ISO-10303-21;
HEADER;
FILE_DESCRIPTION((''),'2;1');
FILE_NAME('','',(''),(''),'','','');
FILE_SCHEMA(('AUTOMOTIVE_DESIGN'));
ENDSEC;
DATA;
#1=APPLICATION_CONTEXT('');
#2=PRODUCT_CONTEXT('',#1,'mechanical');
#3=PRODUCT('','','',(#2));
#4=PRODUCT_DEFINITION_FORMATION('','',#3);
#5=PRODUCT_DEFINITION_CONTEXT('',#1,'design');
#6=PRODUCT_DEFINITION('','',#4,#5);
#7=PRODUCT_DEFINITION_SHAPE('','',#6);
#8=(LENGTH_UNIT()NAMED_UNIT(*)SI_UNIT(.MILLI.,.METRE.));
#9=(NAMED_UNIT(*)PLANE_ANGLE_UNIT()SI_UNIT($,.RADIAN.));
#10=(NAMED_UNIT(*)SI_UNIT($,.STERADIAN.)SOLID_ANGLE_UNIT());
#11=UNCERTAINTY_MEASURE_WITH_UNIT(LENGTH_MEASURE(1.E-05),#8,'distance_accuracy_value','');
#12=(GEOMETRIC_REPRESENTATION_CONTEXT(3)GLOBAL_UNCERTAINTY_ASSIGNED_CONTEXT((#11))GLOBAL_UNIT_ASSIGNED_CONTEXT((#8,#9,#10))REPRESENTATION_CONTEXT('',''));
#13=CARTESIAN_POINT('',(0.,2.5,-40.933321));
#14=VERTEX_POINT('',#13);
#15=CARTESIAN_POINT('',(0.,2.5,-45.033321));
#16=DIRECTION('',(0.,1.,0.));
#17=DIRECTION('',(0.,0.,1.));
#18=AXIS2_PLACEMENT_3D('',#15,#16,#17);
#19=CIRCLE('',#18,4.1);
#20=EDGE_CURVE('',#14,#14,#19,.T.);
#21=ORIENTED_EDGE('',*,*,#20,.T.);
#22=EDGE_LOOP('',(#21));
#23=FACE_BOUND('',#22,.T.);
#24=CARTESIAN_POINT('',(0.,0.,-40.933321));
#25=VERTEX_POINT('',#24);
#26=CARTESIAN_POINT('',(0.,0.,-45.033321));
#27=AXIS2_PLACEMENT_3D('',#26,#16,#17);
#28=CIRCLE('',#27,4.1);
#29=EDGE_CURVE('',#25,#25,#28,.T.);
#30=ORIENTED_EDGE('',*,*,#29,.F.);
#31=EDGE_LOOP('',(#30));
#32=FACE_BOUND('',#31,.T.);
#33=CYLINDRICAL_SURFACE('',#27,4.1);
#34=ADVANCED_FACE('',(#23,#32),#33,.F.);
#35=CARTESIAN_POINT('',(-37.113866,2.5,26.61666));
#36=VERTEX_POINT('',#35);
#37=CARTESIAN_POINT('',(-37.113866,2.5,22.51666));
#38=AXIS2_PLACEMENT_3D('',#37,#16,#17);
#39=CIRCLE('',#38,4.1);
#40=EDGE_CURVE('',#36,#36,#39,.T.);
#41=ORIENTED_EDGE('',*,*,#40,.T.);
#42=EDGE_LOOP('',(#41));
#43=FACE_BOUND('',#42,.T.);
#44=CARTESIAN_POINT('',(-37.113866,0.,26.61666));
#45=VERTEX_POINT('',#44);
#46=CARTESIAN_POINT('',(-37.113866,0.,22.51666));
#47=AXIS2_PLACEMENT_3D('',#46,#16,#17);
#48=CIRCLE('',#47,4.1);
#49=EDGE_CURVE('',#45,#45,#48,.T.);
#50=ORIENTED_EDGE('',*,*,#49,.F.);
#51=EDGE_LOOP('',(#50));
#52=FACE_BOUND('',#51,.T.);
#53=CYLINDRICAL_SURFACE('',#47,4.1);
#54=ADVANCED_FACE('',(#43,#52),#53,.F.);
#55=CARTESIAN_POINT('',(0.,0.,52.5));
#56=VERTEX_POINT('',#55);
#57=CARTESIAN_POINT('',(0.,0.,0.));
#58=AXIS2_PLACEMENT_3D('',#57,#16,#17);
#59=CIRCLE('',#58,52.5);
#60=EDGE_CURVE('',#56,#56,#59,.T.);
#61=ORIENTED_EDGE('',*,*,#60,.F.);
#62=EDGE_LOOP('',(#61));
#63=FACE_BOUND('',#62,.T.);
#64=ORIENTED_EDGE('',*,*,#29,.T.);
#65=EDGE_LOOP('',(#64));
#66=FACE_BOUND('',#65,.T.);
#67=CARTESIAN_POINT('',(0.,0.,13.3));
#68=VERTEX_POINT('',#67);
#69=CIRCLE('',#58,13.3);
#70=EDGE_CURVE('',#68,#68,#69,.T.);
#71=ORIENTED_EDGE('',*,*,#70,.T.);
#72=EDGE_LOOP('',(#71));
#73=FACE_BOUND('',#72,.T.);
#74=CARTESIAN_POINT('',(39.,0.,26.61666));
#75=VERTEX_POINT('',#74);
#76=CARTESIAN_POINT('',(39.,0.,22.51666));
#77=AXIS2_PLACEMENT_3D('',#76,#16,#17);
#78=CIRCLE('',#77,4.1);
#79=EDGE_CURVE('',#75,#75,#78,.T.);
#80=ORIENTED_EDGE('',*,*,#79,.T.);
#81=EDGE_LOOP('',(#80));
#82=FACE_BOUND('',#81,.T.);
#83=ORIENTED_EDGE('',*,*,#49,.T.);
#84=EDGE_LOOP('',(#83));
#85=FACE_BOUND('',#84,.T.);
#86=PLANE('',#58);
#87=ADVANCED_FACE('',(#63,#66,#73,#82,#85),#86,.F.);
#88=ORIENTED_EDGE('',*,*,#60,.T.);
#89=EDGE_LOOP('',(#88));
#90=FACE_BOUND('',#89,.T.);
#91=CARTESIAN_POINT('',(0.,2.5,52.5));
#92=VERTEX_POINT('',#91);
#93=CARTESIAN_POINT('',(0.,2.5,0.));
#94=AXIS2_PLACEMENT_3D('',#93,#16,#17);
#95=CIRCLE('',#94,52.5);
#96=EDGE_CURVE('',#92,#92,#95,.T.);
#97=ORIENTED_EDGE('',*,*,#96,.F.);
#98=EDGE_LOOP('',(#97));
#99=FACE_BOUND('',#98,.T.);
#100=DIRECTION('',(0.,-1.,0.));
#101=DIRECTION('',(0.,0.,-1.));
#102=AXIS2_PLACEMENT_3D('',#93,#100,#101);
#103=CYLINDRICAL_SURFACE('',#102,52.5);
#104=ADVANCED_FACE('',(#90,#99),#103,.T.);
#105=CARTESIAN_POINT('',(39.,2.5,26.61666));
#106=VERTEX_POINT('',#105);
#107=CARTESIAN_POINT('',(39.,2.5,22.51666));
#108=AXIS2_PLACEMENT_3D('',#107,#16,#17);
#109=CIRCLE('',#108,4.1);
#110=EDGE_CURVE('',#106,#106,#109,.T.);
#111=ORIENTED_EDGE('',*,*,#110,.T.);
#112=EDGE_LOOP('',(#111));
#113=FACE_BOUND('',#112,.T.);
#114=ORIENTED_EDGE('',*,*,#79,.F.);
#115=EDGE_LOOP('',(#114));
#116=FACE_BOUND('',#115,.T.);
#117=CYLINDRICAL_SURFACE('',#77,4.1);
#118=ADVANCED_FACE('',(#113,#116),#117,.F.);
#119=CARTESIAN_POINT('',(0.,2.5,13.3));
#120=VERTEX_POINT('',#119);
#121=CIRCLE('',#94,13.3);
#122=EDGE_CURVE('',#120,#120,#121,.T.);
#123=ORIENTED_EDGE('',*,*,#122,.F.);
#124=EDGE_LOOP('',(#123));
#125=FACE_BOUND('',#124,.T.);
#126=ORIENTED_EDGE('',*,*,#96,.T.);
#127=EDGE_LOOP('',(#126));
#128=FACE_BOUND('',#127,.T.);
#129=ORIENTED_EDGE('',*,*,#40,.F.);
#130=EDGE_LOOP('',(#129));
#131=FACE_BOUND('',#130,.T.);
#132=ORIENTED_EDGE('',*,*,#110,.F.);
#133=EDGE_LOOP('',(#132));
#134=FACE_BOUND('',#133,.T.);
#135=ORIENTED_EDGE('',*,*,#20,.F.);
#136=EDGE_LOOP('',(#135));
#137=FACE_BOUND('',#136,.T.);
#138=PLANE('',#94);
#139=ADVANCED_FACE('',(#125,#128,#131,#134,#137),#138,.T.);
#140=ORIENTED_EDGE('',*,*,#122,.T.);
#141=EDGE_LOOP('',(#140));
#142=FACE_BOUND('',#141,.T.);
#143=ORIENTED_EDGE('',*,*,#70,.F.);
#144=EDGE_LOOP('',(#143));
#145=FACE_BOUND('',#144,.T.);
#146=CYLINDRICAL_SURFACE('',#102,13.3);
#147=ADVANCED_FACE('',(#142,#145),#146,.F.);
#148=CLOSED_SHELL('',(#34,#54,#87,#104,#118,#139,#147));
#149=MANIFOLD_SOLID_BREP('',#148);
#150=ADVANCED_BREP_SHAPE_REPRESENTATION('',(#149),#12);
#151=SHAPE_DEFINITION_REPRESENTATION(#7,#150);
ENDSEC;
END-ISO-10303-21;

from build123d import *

# Parameters (mm, degrees)
SKETCH2_R           = 52.5
SKETCH2_R_2         = 13.3
BOSS_EXTRUDE1_DEPTH = 2.5
SKETCH3_R           = 4.1
CUT_EXTRUDE1_DEPTH  = 75.288289791


with BuildPart() as part:
    # Sketch2 → Boss-Extrude1 (new body)
    with BuildSketch(Plane(origin=(0, 0, 0), x_dir=(1, 0, 0), z_dir=(0, 1, 0))):
        with Locations(Location((0, 0, 0), (0, 0, 270))):
            Circle(SKETCH2_R)
        with Locations(Location((0, 0, 0), (0, 0, 270))):
            Circle(SKETCH2_R_2, mode=Mode.SUBTRACT)
    extrude(amount=BOSS_EXTRUDE1_DEPTH)

    # Sketch3 → Cut-Extrude1 (cut, through all)
    with BuildSketch(Plane(origin=(0, 2.5, 0), x_dir=(1, 0, 0), z_dir=(0, 1, 0))):
        with Locations(Location((0, 45.033320997, 0), (0, 0, 270))):
            Circle(SKETCH3_R)
        with Locations(Location((39, -22.516660498, 0), (0, 0, 270))):
            Circle(SKETCH3_R)
        with Locations(Location((-37.113866169, -22.516660498, 0), (0, 0, 270))):
            Circle(SKETCH3_R)
    extrude(amount=-CUT_EXTRUDE1_DEPTH, mode=Mode.SUBTRACT)


solid = part.part
